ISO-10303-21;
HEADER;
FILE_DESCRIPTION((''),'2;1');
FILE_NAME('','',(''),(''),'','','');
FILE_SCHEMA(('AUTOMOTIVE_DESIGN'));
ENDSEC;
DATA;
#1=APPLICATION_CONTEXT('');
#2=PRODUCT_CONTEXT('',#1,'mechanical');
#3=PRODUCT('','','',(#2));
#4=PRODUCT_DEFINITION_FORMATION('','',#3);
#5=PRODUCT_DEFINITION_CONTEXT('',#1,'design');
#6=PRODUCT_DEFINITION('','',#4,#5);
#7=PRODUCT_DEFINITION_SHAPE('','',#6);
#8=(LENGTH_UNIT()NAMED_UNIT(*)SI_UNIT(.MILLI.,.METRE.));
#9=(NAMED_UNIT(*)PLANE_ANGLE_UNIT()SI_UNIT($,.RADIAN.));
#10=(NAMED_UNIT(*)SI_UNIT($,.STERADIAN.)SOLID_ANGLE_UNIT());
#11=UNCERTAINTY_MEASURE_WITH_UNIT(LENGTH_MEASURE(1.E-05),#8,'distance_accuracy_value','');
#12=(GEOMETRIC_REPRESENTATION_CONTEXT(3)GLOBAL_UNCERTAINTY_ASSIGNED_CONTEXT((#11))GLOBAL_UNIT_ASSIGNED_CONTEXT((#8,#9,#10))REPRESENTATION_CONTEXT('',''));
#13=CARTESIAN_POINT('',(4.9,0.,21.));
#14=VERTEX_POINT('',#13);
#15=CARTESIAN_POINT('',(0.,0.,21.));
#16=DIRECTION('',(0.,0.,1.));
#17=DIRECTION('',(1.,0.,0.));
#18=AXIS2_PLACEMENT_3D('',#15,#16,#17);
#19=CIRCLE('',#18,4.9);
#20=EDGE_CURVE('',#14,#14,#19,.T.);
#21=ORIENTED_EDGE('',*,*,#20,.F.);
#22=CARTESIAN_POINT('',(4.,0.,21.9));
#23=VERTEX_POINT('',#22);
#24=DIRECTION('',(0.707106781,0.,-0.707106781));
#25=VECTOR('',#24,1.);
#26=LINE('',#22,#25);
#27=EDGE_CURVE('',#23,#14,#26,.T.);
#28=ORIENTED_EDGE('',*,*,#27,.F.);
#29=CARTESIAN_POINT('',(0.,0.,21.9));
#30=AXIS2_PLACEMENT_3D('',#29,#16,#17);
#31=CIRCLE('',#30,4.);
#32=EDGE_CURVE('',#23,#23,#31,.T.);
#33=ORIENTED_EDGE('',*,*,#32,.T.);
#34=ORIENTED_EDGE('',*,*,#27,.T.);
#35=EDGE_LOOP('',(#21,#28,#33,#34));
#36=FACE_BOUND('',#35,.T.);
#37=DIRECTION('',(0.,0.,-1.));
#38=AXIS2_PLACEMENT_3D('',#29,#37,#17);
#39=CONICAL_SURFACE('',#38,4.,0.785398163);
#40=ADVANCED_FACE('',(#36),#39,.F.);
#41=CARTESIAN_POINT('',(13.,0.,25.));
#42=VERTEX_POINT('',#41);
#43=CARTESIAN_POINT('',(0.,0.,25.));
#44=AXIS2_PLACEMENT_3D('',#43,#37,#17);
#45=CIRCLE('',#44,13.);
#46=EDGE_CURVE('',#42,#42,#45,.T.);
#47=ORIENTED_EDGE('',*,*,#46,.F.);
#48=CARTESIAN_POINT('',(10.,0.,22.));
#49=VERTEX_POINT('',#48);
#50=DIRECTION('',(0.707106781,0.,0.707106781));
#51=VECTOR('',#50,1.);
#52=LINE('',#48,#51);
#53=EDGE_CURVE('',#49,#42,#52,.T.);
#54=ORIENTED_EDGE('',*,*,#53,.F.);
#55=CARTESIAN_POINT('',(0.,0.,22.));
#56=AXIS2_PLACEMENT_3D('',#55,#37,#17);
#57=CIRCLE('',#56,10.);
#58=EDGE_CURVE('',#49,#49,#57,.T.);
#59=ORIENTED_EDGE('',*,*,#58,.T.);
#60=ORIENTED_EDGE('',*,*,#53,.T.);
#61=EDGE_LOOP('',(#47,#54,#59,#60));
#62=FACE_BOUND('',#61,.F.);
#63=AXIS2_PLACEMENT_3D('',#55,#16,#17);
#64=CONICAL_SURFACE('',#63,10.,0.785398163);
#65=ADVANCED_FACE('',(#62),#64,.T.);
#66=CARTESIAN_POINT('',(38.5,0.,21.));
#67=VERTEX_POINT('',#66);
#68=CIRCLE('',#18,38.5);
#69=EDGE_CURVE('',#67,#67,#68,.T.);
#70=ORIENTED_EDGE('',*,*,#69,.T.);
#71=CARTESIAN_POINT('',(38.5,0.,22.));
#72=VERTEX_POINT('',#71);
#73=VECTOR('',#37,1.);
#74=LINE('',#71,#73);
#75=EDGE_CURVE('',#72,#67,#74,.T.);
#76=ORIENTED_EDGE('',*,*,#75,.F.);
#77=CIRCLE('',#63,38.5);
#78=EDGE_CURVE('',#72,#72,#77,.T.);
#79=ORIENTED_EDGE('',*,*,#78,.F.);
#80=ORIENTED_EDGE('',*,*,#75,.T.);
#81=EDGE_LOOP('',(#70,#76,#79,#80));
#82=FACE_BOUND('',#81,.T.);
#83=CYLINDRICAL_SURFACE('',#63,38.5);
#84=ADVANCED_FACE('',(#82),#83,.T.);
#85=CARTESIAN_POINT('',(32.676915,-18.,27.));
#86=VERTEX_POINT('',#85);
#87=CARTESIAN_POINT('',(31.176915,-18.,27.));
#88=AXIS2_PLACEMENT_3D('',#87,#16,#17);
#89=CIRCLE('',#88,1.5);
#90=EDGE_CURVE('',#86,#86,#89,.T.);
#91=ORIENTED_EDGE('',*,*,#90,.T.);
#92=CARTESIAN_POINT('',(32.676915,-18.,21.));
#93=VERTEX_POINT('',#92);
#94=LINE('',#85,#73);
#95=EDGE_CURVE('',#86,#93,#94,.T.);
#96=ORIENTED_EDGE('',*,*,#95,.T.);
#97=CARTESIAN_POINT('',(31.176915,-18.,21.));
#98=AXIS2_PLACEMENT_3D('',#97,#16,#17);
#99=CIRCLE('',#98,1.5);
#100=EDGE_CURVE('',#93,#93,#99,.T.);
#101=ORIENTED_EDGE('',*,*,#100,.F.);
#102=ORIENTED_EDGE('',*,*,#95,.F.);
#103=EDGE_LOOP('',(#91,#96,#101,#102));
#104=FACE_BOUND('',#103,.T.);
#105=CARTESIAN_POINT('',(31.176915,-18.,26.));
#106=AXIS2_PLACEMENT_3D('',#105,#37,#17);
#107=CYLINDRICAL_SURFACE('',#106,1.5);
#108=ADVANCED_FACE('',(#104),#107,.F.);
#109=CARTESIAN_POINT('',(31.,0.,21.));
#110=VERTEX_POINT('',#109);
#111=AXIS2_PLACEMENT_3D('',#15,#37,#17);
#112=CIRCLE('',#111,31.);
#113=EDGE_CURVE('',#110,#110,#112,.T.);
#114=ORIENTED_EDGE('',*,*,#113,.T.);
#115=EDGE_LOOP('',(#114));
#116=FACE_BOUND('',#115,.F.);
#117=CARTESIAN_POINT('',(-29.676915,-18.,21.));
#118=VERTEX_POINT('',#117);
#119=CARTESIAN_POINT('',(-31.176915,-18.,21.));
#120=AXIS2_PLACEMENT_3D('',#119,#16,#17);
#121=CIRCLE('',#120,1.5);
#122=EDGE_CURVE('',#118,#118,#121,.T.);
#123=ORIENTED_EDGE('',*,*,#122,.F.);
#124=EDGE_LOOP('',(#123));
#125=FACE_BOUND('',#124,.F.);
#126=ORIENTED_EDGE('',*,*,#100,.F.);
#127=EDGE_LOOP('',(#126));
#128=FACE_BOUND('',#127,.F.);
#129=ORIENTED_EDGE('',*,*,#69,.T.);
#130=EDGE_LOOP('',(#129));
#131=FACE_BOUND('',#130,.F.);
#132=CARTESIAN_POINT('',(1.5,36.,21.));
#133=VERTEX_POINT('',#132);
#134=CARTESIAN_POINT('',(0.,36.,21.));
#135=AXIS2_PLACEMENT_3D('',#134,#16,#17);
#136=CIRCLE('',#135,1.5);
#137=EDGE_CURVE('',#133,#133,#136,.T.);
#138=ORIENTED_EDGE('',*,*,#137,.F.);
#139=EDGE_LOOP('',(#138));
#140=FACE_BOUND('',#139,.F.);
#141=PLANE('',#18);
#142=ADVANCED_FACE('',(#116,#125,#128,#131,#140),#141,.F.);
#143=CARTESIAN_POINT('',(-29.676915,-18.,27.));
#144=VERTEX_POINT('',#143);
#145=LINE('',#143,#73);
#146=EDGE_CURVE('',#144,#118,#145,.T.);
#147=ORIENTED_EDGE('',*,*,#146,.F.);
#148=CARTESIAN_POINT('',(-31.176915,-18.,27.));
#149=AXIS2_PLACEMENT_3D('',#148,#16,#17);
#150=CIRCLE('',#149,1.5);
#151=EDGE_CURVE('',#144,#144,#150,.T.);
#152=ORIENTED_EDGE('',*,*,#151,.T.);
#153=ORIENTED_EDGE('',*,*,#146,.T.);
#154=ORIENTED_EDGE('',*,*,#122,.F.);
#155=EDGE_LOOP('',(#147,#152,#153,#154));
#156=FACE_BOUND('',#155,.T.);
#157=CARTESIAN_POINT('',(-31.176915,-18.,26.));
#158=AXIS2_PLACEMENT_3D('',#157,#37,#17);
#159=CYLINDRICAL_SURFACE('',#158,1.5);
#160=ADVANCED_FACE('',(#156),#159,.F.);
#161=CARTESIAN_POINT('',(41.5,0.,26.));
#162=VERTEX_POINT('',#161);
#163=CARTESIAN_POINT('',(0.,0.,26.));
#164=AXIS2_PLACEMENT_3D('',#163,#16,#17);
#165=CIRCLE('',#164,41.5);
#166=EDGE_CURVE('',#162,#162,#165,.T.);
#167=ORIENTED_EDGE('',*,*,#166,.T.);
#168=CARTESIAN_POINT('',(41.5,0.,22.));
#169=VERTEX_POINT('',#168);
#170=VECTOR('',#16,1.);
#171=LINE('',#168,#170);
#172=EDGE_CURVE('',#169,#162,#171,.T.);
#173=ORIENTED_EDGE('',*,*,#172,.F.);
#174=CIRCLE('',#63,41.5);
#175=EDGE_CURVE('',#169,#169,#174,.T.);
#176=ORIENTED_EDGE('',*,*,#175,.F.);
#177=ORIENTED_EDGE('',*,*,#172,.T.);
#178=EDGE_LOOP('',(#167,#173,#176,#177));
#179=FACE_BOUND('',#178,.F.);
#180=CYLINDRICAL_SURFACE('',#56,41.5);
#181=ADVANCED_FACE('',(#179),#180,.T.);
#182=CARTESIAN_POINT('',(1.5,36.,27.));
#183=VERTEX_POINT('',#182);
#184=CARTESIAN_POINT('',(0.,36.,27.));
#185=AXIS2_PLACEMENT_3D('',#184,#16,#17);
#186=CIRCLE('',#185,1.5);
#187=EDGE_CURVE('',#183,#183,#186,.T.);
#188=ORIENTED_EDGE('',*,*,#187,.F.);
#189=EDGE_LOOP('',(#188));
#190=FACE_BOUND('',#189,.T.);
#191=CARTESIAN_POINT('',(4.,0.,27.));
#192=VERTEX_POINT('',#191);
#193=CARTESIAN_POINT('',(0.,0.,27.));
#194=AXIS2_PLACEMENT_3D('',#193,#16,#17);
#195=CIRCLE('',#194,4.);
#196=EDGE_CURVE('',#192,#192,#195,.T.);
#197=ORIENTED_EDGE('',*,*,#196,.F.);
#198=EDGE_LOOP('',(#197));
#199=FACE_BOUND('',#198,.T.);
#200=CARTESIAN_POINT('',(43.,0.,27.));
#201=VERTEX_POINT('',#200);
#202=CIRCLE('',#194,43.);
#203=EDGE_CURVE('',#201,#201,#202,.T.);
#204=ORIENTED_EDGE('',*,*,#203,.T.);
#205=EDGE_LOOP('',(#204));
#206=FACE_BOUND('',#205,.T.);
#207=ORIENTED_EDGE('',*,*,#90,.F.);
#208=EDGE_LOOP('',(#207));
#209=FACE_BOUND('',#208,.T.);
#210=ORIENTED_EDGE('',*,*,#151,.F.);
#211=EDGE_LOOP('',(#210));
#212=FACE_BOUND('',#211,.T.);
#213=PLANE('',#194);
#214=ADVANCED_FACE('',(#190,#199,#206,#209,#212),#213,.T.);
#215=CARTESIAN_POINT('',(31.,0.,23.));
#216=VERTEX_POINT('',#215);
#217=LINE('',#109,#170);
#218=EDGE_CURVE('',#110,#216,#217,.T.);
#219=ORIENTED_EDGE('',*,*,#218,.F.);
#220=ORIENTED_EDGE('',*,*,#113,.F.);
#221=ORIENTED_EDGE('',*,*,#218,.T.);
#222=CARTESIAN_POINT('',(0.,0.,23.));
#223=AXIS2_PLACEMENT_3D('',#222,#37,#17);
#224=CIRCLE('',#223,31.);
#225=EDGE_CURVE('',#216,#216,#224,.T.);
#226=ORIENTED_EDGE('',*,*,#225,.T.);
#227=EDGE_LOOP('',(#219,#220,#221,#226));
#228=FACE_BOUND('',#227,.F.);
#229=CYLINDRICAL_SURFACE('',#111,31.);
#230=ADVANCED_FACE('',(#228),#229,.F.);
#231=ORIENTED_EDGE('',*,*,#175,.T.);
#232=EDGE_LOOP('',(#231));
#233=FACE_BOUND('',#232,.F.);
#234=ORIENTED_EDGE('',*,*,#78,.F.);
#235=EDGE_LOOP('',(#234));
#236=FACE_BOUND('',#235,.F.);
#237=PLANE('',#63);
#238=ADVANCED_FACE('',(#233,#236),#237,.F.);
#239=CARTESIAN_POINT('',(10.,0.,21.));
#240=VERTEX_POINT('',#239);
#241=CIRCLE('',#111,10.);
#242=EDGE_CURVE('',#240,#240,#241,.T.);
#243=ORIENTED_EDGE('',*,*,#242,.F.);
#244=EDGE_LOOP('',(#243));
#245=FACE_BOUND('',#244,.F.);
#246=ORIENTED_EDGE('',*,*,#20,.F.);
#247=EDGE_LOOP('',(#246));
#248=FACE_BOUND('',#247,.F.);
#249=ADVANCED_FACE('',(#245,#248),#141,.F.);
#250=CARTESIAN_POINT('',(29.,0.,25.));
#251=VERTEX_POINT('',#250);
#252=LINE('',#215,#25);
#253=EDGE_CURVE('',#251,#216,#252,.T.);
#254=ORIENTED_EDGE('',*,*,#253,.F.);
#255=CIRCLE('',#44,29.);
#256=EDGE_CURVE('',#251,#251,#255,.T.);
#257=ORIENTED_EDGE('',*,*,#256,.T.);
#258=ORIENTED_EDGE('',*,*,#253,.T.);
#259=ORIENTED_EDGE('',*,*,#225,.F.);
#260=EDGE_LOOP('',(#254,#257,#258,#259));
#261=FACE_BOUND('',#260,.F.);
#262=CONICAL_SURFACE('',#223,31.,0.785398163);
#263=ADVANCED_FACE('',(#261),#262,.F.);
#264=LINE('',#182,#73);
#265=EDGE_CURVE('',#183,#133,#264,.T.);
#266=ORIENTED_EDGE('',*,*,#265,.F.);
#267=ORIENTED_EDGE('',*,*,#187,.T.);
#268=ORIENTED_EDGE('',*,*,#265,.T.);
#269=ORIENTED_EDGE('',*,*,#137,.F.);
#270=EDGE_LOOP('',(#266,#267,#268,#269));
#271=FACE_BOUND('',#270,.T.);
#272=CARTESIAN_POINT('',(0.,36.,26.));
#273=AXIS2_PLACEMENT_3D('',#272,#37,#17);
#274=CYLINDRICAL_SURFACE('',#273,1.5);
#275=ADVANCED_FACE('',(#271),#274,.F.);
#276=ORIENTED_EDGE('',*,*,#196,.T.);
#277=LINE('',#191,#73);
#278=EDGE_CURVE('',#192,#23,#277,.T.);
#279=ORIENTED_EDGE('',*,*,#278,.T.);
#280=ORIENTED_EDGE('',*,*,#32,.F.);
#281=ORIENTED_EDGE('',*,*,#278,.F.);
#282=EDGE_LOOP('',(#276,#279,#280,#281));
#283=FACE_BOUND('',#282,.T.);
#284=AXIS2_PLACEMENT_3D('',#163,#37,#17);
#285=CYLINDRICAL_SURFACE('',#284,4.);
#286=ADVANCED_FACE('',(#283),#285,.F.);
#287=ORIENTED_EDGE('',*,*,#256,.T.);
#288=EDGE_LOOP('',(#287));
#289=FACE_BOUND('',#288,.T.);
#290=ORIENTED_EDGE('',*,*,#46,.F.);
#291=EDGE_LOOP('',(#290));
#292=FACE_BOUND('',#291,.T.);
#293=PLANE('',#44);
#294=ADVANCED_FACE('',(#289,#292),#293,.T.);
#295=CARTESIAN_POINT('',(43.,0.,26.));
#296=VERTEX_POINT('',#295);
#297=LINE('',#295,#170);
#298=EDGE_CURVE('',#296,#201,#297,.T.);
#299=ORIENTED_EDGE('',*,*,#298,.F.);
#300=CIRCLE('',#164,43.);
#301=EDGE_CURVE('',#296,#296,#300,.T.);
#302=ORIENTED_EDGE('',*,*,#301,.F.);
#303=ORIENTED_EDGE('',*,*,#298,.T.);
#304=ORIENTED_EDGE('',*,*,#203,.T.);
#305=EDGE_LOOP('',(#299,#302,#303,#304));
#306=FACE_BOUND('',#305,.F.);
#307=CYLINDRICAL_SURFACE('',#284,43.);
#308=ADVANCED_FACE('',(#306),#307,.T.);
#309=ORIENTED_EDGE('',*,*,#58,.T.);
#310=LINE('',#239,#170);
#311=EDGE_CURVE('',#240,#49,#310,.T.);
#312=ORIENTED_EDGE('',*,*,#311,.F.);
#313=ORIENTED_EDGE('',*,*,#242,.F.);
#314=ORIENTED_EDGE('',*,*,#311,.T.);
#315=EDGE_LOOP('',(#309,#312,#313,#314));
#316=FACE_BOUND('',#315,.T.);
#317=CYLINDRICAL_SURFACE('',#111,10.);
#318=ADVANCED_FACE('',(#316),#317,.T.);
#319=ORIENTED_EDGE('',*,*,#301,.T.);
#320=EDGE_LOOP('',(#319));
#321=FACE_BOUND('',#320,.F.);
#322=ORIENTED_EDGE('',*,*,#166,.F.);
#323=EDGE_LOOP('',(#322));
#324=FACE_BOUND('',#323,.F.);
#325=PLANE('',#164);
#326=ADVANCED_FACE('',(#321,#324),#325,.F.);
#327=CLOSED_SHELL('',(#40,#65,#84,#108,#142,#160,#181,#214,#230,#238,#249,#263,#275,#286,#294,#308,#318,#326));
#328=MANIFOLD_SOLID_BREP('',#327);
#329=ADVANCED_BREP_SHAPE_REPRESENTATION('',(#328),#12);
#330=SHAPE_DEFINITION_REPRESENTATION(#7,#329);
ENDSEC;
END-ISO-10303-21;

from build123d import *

# Parameters (mm, degrees)
SKETCH006_R     = 41.5
SKETCH006_R_2   = 1.5
SKETCH006_R_3   = 4
PAD_DEPTH       = 4
SKETCH007_R     = 38.5
SKETCH007_R_2   = 1.5
SKETCH007_R_3   = 4
PAD001_DEPTH    = 1
SKETCH008_R     = 43
SKETCH008_R_2   = 1.5
SKETCH008_R_3   = 4
PAD002_DEPTH    = 1
SKETCH_R        = 31
SKETCH_R_2      = 10
POCKET_DEPTH    = 4
CHAMFER_SIZE    = 0.9
CHAMFER001_SIZE = 3
CHAMFER002_SIZE = 2


with BuildPart() as part:
    # Sketch006 → Pad (new body)
    with BuildSketch(Plane.XY.offset(22)):
        Circle(SKETCH006_R)
        with Locations((0, 36)):
            Circle(SKETCH006_R_2, mode=Mode.SUBTRACT)
        with Locations((31.176915, -18)):
            Circle(SKETCH006_R_2, mode=Mode.SUBTRACT)
        with Locations((-31.176915, -18)):
            Circle(SKETCH006_R_2, mode=Mode.SUBTRACT)
        Circle(SKETCH006_R_3, mode=Mode.SUBTRACT)
    extrude(amount=PAD_DEPTH)

    # Sketch007 → Pad001 (join)
    with BuildSketch(Plane.XY.offset(22)):
        Circle(SKETCH007_R)
        with Locations((0, 36)):
            Circle(SKETCH007_R_2, mode=Mode.SUBTRACT)
        with Locations((31.176915, -18)):
            Circle(SKETCH007_R_2, mode=Mode.SUBTRACT)
        with Locations((-31.176915, -18)):
            Circle(SKETCH007_R_2, mode=Mode.SUBTRACT)
        Circle(SKETCH007_R_3, mode=Mode.SUBTRACT)
    extrude(amount=-PAD001_DEPTH)

    # Sketch008 → Pad002 (join)
    with BuildSketch(Plane.XY.offset(26)):
        Circle(SKETCH008_R)
        with Locations((0, 36)):
            Circle(SKETCH008_R_2, mode=Mode.SUBTRACT)
        with Locations((31.176915, -18)):
            Circle(SKETCH008_R_2, mode=Mode.SUBTRACT)
        with Locations((-31.176915, -18)):
            Circle(SKETCH008_R_2, mode=Mode.SUBTRACT)
        Circle(SKETCH008_R_3, mode=Mode.SUBTRACT)
    extrude(amount=PAD002_DEPTH)

    # Sketch (on Face6 of Pad002) → Pocket (cut)
    with BuildSketch(Plane(origin=(0, 0, 21), x_dir=(1, 0, 0), z_dir=(0, 0, -1))):
        Circle(SKETCH_R)
        Circle(SKETCH_R_2, mode=Mode.SUBTRACT)
    extrude(amount=-POCKET_DEPTH, mode=Mode.SUBTRACT)

    # Chamfer
    chamfer_edges = [part.edges().sort_by_distance(p)[0] for p in [
        (-4, 0, 21),
    ]]
    chamfer(chamfer_edges, length=CHAMFER_SIZE)

    # Chamfer001
    chamfer001_edges = [part.edges().sort_by_distance(p)[0] for p in [
        (-10, 0, 25),
    ]]
    chamfer(chamfer001_edges, length=CHAMFER001_SIZE)

    # Chamfer002
    chamfer002_edges = [part.edges().sort_by_distance(p)[0] for p in [
        (-31, 0, 25),
    ]]
    chamfer(chamfer002_edges, length=CHAMFER002_SIZE)


solid = part.part
